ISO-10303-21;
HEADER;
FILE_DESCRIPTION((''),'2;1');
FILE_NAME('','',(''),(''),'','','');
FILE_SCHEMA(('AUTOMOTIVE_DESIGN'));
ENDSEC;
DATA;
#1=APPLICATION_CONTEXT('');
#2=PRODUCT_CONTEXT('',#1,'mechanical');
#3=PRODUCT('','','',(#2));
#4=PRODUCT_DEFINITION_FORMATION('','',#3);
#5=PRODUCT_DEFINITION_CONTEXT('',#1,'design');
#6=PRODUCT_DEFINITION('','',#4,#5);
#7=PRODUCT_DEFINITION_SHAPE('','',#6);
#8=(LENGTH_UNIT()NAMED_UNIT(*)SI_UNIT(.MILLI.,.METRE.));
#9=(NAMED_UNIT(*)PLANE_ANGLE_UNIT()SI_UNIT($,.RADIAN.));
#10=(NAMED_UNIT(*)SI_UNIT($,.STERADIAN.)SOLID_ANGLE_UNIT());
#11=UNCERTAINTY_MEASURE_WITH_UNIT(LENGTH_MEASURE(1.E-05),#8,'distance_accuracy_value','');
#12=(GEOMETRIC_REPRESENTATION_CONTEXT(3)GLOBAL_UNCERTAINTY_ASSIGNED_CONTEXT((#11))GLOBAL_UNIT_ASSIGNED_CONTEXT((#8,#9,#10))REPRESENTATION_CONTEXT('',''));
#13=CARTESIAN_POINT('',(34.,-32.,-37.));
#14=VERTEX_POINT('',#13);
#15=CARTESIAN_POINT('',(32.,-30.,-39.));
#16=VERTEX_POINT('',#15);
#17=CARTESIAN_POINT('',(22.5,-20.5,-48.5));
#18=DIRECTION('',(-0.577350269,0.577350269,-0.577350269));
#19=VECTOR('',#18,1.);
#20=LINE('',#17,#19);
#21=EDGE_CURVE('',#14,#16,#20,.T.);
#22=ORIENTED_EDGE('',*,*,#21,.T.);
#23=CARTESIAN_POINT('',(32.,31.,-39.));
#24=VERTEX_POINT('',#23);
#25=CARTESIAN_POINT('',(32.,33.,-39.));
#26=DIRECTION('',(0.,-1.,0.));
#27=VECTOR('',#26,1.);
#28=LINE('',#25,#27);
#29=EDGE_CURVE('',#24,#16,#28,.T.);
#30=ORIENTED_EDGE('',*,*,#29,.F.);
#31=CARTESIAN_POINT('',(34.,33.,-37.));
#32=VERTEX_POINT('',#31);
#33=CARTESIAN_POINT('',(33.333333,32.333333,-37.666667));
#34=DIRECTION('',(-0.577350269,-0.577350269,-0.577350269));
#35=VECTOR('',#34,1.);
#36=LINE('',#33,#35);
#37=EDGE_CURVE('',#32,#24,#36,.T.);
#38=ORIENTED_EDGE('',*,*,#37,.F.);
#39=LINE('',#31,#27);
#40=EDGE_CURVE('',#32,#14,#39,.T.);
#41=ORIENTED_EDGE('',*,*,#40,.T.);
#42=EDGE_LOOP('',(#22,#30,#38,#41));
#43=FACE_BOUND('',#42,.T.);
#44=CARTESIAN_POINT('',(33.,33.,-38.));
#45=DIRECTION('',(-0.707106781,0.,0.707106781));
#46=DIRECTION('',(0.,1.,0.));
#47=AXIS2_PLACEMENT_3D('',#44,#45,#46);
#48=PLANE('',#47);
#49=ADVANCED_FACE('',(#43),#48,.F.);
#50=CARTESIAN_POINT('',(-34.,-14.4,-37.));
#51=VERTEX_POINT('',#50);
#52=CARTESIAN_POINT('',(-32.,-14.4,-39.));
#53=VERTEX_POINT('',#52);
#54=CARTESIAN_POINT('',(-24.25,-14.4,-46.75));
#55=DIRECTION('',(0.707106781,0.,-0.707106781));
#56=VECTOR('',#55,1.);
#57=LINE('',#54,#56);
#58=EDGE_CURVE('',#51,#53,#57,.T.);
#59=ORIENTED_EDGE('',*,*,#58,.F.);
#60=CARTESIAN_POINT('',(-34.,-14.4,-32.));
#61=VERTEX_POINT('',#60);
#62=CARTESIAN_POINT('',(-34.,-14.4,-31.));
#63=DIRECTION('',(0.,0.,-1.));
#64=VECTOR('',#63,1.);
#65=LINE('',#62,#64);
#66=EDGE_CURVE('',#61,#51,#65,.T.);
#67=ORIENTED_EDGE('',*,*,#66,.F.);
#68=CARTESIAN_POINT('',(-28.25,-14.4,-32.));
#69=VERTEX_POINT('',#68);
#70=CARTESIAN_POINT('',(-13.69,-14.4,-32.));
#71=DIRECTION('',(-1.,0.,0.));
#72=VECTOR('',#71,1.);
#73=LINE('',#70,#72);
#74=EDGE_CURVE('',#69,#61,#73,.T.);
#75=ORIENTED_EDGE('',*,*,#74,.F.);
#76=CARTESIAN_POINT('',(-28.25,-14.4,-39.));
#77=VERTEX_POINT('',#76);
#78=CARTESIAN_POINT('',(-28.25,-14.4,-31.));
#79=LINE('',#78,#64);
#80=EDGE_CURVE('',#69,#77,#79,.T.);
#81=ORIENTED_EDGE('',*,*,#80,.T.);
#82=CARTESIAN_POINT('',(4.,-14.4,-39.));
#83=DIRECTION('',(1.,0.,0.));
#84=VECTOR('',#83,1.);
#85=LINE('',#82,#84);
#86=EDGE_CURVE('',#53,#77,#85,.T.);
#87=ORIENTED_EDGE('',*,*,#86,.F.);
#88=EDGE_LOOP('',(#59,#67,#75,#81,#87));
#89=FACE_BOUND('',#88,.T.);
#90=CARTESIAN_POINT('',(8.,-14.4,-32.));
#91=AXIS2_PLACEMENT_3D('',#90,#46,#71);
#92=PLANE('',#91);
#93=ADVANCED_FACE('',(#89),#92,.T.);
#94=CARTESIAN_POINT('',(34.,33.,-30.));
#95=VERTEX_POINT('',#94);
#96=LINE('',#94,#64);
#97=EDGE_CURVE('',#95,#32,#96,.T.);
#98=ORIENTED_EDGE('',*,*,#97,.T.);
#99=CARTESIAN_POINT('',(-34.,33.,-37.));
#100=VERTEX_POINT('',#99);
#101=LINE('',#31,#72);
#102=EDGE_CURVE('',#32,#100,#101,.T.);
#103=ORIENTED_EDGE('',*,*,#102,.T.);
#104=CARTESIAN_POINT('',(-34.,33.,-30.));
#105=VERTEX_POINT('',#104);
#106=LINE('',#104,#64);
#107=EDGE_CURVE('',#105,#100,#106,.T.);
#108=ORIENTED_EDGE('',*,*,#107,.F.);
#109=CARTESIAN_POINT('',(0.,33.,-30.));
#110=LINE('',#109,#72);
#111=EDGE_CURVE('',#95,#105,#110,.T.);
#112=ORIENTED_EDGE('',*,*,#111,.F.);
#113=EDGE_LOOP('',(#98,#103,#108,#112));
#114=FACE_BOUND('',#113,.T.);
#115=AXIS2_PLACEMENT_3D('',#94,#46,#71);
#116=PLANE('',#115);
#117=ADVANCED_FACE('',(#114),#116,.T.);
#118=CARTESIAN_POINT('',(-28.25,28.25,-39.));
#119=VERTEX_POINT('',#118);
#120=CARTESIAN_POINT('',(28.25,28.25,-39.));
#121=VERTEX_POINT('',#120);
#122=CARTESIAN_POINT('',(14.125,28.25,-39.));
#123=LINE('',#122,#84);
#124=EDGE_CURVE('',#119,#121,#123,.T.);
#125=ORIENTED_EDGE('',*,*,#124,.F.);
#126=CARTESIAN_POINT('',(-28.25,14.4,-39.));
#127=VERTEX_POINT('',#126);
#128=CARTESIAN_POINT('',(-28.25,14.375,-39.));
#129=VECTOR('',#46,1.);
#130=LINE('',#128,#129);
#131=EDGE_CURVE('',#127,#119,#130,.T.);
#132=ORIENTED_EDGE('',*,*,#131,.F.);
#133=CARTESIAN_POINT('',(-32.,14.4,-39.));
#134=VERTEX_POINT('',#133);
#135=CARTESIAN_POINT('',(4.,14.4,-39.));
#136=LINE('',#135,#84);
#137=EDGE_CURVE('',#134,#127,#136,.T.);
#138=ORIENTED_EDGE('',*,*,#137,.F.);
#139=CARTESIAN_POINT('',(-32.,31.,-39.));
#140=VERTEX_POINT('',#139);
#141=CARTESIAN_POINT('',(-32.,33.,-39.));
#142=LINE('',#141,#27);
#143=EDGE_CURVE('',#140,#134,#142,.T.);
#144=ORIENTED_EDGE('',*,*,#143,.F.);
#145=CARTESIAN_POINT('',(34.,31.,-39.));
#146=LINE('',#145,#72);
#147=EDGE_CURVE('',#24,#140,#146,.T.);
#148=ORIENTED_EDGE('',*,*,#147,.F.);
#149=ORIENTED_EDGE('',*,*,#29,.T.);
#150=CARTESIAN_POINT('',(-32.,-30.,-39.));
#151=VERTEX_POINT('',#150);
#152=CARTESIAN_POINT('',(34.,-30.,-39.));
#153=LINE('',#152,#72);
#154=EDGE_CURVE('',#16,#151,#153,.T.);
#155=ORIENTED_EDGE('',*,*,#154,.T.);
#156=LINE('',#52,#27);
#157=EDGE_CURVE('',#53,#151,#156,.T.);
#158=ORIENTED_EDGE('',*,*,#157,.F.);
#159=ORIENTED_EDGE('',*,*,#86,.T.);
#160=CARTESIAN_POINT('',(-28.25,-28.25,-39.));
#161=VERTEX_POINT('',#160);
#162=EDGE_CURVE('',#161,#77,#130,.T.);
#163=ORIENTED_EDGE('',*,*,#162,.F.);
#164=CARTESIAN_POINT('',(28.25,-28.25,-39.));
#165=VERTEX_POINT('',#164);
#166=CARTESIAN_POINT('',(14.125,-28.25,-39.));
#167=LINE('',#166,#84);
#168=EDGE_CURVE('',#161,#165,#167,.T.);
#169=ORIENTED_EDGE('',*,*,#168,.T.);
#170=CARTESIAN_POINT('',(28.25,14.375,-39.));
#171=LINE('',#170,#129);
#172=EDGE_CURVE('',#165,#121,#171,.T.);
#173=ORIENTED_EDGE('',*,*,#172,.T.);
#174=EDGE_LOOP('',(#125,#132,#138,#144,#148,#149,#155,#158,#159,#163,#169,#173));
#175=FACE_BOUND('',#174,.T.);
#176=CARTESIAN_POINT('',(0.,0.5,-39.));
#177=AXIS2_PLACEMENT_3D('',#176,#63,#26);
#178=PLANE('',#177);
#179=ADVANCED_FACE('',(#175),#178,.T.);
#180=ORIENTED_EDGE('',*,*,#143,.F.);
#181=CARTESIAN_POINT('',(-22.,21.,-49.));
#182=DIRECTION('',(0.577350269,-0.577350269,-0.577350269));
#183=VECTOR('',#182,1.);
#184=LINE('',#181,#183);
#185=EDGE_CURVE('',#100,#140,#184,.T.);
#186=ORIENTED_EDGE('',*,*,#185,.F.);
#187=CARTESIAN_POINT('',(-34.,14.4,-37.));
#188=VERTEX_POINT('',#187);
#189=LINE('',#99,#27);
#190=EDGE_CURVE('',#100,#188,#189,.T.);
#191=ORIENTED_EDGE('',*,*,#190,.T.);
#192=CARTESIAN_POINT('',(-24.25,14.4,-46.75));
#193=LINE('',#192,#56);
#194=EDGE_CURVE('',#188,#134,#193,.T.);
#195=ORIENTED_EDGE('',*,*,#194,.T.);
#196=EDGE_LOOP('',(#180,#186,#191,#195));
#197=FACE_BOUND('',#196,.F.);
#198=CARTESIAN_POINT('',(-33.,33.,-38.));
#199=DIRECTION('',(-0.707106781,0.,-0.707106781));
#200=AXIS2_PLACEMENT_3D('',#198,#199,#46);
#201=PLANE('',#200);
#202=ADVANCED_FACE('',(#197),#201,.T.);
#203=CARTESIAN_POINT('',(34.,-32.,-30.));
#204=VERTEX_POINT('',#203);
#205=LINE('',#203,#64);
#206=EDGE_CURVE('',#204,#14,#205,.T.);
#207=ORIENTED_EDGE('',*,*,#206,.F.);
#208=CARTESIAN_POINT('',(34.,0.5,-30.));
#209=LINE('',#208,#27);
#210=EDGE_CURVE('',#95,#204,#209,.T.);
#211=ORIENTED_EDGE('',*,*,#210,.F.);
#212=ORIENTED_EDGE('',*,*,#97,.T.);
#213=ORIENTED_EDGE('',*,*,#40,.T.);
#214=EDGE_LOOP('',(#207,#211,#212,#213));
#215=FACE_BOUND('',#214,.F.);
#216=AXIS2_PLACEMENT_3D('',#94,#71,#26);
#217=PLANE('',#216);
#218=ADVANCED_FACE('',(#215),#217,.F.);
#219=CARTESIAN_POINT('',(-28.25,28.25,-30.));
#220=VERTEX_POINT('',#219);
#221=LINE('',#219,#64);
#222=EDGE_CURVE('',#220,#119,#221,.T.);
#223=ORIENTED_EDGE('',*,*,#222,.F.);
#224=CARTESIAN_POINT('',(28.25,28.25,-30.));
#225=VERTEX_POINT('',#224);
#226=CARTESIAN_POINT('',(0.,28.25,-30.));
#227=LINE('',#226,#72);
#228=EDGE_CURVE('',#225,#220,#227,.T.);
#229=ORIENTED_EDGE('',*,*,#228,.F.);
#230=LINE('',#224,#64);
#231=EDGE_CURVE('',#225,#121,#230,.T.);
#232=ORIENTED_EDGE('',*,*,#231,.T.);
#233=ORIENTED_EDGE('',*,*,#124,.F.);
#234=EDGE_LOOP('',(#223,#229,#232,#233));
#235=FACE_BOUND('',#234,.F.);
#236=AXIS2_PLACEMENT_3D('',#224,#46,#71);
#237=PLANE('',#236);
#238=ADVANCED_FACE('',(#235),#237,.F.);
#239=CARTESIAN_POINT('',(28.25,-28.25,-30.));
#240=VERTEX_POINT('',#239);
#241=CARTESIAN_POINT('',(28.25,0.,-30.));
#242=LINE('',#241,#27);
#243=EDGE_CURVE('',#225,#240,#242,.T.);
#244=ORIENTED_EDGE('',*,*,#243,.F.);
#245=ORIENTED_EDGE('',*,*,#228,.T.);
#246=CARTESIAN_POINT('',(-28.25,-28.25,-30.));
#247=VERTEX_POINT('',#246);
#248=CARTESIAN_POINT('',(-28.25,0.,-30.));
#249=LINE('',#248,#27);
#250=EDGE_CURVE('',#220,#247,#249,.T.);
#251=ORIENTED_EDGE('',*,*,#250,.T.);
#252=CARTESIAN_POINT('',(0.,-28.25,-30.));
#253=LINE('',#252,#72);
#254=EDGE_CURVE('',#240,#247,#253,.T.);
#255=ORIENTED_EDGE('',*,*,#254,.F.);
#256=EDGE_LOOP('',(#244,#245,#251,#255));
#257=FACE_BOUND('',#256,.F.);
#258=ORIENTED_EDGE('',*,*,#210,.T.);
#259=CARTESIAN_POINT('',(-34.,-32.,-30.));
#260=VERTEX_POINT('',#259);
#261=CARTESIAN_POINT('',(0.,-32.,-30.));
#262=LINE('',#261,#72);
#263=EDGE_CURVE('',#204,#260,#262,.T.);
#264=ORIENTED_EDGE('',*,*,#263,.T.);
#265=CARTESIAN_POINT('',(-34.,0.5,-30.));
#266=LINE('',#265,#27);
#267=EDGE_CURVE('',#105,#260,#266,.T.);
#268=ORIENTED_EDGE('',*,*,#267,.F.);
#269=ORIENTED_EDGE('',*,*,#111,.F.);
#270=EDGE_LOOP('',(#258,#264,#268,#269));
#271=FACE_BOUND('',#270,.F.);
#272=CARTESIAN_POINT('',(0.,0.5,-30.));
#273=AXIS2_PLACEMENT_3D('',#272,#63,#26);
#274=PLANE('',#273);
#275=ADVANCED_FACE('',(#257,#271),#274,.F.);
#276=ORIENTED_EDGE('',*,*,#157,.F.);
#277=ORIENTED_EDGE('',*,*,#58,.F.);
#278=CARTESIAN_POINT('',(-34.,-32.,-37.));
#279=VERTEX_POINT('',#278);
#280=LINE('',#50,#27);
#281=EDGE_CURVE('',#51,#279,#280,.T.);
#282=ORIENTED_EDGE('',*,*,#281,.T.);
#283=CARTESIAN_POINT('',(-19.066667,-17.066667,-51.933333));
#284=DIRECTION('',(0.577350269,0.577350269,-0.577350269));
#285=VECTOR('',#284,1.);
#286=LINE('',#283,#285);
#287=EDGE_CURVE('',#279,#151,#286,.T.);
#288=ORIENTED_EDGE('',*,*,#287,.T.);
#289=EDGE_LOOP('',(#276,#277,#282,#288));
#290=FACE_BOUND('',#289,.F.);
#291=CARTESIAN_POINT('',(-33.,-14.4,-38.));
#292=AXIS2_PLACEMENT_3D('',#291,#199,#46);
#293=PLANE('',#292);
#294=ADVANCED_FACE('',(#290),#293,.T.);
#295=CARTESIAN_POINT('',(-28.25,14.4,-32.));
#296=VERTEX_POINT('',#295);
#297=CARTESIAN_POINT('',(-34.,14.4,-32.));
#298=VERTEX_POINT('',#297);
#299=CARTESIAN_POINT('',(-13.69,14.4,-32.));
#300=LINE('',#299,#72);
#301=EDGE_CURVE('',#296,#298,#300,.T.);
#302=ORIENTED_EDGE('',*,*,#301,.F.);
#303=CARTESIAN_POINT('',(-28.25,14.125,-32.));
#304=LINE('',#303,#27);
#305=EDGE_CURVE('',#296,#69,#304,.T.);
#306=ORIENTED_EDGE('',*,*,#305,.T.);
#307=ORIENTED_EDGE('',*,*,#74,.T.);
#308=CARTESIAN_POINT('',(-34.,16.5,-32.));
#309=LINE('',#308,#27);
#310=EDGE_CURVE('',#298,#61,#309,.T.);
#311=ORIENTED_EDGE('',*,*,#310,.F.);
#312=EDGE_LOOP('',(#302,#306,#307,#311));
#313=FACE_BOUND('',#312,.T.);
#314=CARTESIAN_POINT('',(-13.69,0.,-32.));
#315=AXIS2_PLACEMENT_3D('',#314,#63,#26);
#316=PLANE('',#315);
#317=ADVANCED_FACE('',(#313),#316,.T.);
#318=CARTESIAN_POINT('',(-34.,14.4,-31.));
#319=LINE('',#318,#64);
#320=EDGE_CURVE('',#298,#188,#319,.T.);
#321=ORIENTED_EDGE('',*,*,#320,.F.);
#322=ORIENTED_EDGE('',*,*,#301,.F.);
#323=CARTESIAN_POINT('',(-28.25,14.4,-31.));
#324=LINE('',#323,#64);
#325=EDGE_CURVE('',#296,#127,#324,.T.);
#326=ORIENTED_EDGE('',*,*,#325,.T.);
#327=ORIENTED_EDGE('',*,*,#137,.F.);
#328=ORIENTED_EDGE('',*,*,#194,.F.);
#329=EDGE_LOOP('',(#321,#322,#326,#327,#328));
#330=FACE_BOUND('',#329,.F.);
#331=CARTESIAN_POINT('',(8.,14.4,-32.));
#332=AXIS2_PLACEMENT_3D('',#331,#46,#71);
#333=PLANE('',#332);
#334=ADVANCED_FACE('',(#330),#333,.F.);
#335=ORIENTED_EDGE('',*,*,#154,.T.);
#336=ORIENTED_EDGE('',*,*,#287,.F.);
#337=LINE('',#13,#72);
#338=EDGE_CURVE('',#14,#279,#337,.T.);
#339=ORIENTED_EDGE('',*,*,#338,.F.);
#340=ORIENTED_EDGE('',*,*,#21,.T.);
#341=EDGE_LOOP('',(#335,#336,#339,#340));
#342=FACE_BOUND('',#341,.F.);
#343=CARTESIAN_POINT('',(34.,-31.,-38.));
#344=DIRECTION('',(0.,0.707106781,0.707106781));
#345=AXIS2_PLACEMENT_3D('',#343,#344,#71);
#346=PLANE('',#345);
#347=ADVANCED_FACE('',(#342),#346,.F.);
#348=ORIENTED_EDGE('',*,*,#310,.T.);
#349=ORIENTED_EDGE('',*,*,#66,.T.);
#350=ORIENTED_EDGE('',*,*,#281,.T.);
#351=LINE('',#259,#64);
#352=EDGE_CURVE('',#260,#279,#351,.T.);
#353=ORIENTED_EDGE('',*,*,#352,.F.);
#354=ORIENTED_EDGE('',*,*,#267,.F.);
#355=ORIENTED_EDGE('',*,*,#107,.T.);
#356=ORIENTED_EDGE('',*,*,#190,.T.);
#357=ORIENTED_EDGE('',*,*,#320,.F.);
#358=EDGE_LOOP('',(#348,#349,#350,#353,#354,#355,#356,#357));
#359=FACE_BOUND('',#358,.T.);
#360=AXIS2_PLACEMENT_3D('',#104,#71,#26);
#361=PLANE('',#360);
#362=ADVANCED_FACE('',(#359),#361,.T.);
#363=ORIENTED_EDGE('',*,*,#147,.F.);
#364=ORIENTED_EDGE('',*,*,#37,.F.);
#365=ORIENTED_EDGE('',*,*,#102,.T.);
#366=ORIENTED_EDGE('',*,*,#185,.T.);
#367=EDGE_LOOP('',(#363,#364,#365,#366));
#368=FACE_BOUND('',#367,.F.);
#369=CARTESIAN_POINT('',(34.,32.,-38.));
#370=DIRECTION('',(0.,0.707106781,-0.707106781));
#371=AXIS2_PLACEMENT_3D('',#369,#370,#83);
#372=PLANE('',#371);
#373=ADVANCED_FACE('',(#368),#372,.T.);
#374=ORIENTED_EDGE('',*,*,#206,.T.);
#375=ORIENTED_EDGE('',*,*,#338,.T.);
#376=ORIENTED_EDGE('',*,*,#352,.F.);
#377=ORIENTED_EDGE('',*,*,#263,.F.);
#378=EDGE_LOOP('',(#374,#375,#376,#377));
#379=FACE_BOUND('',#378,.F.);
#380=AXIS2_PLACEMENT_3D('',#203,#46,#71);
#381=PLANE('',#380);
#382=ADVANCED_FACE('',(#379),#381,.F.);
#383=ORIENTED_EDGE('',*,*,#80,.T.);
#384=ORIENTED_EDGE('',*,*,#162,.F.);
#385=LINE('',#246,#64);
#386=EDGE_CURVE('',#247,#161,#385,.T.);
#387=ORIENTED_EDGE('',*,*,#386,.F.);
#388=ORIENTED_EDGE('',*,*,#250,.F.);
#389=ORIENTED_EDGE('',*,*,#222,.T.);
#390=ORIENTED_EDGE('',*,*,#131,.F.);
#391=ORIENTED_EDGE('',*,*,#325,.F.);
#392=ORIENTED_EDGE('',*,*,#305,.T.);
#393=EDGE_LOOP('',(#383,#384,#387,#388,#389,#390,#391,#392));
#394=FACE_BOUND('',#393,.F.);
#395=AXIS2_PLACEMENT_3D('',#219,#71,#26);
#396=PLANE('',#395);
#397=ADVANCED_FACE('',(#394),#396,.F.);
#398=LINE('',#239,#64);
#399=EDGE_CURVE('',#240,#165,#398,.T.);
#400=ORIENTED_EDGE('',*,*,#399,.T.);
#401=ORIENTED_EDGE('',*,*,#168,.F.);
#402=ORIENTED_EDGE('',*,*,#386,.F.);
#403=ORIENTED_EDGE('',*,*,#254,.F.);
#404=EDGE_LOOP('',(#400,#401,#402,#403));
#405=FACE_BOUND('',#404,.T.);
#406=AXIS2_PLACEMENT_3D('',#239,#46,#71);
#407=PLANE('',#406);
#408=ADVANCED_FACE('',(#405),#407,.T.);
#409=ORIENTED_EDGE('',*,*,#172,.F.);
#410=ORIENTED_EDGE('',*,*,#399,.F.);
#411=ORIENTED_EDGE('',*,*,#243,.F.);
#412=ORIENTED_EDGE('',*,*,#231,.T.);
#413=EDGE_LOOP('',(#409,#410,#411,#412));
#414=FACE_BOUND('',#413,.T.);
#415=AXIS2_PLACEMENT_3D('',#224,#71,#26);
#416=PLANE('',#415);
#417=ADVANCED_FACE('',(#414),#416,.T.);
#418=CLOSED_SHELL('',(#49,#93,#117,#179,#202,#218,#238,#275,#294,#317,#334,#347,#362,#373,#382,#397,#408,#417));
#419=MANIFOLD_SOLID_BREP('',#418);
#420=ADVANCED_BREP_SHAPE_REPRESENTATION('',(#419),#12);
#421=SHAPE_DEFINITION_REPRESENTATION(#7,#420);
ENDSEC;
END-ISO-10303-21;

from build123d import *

# Parameters (mm, degrees)
BOX331_W                    = 28.8
BOX331_H                    = 43.38
BOX331_DEPTH                = 20
BOX325_W                    = 56.5
BOX325_H                    = 56.5
BOX325_DEPTH                = 40
BOX327_W                    = 65
BOX327_H                    = 68
BOX327_DEPTH                = 9
COMPOUND928_ROLL_ANGLE      = 180
COMPOUND928_PLACEMENT_ANGLE = -90
CHAMFER013_SIZE             = 2


with BuildPart() as krychle331:
    # Box331 → Box331 (new body)
    with BuildSketch(Plane(origin=(-14.4, -8, 34), x_dir=(1, 0, 0), z_dir=(0, 0, 1))):
        with Locations((14.4, 21.69)):
            Rectangle(BOX331_W, BOX331_H)
    extrude(amount=BOX331_DEPTH)


with BuildPart() as krychle325:
    # Box325 → Box325 (new body)
    with BuildSketch(Plane(origin=(-28.25, -28.25, 32), x_dir=(1, 0, 0), z_dir=(0, 0, 1))):
        with Locations((28.25, 28.25)):
            Rectangle(BOX325_W, BOX325_H)
    extrude(amount=BOX325_DEPTH)


with BuildPart() as chamfer013:
    # Box327 → Box327 (new body)
    with BuildSketch(Plane(origin=(-33, -34, 32), x_dir=(1, 0, 0), z_dir=(0, 0, 1))):
        with Locations((32.5, 34)):
            Rectangle(BOX327_W, BOX327_H)
    extrude(amount=BOX327_DEPTH)

    # Cut313: cut Krychle325
    add(krychle325.part, mode=Mode.SUBTRACT)

    # Cut316: cut Krychle331
    add(krychle331.part, mode=Mode.SUBTRACT)


with BuildPart() as chamfer013_1:
    # Cut316 placement: moved
    add(chamfer013.part.moved(Location((-29, 18, 30))))


with BuildPart() as chamfer013_2:
    # Compound928 roll: moved
    add(chamfer013_1.part.rotate(Axis((0, 0, 0), (1, 0, 0)), COMPOUND928_ROLL_ANGLE))


with BuildPart() as chamfer013_3:
    # Compound928 placement: moved
    add(chamfer013_2.part.moved(Location((18, -29, 32))).rotate(Axis((18, -29, 32), (0, 0, 1)), COMPOUND928_PLACEMENT_ANGLE))

    # Chamfer013
    chamfer013_edges = [chamfer013_3.edges().sort_by_distance(p)[0] for p in [
        (0, 33, -39),
        (34, 0.5, -39),
        (-34, 23.7, -39),
        (-34, -23.2, -39),
        (0, -32, -39),
    ]]
    chamfer(chamfer013_edges, length=CHAMFER013_SIZE)


solid = chamfer013_3.part
